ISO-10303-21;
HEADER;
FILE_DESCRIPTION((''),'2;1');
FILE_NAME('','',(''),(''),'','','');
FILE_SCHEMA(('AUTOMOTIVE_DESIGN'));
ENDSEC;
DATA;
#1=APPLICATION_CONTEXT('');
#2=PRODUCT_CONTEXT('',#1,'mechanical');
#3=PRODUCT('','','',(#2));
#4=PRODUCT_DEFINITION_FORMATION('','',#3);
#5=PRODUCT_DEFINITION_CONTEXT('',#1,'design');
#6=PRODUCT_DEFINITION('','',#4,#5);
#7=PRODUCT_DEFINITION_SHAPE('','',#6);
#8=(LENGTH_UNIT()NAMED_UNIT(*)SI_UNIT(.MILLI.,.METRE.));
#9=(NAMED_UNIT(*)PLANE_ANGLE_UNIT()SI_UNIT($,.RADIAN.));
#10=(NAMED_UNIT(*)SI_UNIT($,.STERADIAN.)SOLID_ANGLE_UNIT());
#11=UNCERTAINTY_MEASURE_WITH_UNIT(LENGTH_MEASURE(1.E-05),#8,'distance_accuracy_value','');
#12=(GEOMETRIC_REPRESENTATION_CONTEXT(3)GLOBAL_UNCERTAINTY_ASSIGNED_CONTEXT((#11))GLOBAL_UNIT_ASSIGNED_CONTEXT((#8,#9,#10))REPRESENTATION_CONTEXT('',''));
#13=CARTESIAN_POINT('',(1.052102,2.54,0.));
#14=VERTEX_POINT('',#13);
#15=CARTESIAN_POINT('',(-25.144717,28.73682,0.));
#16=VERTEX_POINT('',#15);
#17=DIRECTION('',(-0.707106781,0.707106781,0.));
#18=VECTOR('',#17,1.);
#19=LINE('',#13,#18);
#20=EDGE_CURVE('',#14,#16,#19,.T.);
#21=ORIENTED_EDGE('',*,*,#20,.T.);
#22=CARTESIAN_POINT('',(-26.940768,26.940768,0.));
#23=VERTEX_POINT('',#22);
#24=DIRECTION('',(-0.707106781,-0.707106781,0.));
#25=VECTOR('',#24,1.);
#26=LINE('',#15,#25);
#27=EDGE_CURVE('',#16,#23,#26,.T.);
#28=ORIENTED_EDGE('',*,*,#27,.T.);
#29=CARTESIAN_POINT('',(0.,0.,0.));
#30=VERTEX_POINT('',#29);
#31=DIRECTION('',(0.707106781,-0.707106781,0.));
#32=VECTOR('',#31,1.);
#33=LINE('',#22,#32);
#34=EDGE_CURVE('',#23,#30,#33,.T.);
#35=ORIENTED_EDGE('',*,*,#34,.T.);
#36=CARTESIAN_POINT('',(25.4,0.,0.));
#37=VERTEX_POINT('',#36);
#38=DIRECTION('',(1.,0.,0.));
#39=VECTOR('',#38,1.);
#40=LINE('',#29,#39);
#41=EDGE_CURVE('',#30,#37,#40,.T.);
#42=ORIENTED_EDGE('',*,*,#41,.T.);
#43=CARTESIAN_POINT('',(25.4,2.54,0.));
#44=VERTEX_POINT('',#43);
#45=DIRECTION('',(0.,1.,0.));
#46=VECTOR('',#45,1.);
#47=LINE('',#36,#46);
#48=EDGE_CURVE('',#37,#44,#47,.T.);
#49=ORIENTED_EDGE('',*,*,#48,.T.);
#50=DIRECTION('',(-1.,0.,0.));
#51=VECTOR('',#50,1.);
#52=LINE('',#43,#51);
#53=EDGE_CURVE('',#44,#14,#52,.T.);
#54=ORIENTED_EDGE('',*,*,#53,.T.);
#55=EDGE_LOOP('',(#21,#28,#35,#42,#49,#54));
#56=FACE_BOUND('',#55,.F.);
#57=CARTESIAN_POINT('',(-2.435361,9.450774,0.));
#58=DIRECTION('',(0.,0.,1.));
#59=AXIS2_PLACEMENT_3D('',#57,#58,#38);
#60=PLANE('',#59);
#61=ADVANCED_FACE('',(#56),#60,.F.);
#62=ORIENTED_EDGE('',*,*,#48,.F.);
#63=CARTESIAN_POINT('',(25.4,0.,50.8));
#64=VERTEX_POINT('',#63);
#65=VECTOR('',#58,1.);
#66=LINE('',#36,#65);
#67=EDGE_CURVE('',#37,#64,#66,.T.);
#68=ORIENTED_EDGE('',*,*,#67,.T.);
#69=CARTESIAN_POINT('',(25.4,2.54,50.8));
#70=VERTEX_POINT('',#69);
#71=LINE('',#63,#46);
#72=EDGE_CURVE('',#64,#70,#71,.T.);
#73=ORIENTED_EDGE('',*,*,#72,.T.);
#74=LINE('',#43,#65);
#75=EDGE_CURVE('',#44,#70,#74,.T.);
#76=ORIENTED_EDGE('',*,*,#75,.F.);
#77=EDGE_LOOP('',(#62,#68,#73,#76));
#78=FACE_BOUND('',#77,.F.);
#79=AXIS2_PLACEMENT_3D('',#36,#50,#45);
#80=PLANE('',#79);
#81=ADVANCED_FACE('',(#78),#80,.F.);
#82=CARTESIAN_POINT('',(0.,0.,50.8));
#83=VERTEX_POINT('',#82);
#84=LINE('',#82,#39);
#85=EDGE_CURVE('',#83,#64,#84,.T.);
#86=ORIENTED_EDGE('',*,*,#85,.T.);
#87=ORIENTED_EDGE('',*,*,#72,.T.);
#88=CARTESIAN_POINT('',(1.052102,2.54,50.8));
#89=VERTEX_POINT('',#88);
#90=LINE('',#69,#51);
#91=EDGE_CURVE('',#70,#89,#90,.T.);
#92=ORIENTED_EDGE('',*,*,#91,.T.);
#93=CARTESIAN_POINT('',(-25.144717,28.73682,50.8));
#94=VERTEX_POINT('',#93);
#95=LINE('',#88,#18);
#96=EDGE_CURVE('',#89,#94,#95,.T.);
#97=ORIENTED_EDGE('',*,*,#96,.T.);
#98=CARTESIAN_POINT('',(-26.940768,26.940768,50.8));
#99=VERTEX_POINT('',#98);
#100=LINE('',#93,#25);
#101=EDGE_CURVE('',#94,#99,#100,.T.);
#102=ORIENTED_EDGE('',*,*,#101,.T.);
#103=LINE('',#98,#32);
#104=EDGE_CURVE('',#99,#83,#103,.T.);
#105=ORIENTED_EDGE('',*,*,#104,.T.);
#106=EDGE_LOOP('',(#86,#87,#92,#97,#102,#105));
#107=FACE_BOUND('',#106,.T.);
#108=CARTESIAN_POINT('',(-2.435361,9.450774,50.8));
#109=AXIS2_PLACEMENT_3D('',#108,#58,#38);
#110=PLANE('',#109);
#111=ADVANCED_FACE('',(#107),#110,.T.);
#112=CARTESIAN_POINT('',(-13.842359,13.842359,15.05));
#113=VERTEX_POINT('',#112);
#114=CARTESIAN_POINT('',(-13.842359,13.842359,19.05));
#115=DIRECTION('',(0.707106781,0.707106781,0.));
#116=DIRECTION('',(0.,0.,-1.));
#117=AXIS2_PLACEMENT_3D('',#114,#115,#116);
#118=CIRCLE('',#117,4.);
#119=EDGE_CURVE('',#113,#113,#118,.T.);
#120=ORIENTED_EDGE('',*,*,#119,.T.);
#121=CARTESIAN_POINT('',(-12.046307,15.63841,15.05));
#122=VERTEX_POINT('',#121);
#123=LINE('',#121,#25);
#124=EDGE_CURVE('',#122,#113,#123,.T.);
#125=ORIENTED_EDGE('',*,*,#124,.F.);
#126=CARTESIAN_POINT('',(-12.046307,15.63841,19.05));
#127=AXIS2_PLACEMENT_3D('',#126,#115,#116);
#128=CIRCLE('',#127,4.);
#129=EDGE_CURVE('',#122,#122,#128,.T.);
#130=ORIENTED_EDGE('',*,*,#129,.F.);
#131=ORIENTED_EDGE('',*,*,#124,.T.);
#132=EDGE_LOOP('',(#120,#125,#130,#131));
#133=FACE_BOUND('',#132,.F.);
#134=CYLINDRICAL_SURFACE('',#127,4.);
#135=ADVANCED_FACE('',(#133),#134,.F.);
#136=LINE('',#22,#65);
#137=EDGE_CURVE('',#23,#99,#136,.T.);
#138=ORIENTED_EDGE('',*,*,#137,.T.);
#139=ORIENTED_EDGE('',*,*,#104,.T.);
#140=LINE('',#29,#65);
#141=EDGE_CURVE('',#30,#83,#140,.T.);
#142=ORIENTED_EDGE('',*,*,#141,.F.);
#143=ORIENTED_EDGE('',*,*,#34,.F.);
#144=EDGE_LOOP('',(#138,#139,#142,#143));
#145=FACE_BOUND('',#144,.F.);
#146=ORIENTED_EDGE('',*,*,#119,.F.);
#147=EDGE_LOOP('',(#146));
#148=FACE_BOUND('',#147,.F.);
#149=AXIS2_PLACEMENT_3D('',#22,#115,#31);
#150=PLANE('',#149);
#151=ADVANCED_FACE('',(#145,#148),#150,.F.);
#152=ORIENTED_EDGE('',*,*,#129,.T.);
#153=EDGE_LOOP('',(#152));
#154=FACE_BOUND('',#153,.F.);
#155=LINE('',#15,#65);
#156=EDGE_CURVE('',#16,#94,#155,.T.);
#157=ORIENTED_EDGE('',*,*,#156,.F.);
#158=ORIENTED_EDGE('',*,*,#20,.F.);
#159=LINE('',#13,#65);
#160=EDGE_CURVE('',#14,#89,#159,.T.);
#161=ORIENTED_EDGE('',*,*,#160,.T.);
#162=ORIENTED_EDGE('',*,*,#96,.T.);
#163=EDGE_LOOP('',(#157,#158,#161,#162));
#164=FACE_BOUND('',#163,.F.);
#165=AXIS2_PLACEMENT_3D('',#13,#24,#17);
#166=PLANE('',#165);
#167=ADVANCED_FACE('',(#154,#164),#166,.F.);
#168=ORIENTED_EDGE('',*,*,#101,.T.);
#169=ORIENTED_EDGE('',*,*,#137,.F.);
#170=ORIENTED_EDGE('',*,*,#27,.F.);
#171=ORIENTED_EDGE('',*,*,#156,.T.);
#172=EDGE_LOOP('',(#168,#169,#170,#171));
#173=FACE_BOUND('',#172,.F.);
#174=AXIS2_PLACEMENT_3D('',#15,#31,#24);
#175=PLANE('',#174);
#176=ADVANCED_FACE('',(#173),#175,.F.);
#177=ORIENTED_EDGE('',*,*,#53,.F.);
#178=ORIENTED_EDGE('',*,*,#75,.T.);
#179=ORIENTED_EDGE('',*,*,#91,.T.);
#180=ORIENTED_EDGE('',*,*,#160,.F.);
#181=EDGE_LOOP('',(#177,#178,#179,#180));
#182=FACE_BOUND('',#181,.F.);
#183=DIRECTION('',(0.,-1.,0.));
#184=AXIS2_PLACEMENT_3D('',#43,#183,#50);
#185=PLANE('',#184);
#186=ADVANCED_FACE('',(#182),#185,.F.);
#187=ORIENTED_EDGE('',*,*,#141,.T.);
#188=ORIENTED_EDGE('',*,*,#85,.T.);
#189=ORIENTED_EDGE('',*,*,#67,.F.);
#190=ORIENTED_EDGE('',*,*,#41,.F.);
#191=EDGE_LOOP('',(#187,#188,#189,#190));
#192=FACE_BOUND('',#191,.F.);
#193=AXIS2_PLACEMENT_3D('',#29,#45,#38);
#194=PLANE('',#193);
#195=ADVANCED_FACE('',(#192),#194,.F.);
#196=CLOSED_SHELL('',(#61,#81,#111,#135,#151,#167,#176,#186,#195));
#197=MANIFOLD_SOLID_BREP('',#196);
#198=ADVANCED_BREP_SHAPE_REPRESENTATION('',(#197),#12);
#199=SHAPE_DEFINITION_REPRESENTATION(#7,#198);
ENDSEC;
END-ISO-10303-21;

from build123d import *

# Parameters (mm, degrees)
BASE_DEPTH      = 50.8
AXLE_HOLE_REACH = 23.59
SKETCH2_R       = 4


with BuildPart() as part:
    # Sketch1 → base (new body)
    with BuildSketch(Plane.XY):
        Polygon((-26.940768363, 26.940768363), (0, 0), (25.4, 0), (25.4, 2.54), (1.052102448, 2.54), (-25.144717139, 28.736819587), align=None)
    extrude(amount=BASE_DEPTH)

    # Sketch2 → axle hole (cut, up to next)
    with BuildSketch(Plane(origin=(1.796051224, 1.796051224, 0), x_dir=(0, 0, -1), z_dir=(0.707106781, 0.707106781, 0)), mode=Mode.PRIVATE) as axle_hole_sk1:
        with Locations((-19.05, 19.576051224)):
            Circle(SKETCH2_R)
    axle_hole_tool1 = extrude(axle_hole_sk1.sketch, amount=-AXLE_HOLE_REACH, mode=Mode.PRIVATE) & part.part
    add(axle_hole_tool1.solids().sort_by_distance((-12.046307, 15.63841, 19.05))[0], mode=Mode.SUBTRACT)


solid = part.part
